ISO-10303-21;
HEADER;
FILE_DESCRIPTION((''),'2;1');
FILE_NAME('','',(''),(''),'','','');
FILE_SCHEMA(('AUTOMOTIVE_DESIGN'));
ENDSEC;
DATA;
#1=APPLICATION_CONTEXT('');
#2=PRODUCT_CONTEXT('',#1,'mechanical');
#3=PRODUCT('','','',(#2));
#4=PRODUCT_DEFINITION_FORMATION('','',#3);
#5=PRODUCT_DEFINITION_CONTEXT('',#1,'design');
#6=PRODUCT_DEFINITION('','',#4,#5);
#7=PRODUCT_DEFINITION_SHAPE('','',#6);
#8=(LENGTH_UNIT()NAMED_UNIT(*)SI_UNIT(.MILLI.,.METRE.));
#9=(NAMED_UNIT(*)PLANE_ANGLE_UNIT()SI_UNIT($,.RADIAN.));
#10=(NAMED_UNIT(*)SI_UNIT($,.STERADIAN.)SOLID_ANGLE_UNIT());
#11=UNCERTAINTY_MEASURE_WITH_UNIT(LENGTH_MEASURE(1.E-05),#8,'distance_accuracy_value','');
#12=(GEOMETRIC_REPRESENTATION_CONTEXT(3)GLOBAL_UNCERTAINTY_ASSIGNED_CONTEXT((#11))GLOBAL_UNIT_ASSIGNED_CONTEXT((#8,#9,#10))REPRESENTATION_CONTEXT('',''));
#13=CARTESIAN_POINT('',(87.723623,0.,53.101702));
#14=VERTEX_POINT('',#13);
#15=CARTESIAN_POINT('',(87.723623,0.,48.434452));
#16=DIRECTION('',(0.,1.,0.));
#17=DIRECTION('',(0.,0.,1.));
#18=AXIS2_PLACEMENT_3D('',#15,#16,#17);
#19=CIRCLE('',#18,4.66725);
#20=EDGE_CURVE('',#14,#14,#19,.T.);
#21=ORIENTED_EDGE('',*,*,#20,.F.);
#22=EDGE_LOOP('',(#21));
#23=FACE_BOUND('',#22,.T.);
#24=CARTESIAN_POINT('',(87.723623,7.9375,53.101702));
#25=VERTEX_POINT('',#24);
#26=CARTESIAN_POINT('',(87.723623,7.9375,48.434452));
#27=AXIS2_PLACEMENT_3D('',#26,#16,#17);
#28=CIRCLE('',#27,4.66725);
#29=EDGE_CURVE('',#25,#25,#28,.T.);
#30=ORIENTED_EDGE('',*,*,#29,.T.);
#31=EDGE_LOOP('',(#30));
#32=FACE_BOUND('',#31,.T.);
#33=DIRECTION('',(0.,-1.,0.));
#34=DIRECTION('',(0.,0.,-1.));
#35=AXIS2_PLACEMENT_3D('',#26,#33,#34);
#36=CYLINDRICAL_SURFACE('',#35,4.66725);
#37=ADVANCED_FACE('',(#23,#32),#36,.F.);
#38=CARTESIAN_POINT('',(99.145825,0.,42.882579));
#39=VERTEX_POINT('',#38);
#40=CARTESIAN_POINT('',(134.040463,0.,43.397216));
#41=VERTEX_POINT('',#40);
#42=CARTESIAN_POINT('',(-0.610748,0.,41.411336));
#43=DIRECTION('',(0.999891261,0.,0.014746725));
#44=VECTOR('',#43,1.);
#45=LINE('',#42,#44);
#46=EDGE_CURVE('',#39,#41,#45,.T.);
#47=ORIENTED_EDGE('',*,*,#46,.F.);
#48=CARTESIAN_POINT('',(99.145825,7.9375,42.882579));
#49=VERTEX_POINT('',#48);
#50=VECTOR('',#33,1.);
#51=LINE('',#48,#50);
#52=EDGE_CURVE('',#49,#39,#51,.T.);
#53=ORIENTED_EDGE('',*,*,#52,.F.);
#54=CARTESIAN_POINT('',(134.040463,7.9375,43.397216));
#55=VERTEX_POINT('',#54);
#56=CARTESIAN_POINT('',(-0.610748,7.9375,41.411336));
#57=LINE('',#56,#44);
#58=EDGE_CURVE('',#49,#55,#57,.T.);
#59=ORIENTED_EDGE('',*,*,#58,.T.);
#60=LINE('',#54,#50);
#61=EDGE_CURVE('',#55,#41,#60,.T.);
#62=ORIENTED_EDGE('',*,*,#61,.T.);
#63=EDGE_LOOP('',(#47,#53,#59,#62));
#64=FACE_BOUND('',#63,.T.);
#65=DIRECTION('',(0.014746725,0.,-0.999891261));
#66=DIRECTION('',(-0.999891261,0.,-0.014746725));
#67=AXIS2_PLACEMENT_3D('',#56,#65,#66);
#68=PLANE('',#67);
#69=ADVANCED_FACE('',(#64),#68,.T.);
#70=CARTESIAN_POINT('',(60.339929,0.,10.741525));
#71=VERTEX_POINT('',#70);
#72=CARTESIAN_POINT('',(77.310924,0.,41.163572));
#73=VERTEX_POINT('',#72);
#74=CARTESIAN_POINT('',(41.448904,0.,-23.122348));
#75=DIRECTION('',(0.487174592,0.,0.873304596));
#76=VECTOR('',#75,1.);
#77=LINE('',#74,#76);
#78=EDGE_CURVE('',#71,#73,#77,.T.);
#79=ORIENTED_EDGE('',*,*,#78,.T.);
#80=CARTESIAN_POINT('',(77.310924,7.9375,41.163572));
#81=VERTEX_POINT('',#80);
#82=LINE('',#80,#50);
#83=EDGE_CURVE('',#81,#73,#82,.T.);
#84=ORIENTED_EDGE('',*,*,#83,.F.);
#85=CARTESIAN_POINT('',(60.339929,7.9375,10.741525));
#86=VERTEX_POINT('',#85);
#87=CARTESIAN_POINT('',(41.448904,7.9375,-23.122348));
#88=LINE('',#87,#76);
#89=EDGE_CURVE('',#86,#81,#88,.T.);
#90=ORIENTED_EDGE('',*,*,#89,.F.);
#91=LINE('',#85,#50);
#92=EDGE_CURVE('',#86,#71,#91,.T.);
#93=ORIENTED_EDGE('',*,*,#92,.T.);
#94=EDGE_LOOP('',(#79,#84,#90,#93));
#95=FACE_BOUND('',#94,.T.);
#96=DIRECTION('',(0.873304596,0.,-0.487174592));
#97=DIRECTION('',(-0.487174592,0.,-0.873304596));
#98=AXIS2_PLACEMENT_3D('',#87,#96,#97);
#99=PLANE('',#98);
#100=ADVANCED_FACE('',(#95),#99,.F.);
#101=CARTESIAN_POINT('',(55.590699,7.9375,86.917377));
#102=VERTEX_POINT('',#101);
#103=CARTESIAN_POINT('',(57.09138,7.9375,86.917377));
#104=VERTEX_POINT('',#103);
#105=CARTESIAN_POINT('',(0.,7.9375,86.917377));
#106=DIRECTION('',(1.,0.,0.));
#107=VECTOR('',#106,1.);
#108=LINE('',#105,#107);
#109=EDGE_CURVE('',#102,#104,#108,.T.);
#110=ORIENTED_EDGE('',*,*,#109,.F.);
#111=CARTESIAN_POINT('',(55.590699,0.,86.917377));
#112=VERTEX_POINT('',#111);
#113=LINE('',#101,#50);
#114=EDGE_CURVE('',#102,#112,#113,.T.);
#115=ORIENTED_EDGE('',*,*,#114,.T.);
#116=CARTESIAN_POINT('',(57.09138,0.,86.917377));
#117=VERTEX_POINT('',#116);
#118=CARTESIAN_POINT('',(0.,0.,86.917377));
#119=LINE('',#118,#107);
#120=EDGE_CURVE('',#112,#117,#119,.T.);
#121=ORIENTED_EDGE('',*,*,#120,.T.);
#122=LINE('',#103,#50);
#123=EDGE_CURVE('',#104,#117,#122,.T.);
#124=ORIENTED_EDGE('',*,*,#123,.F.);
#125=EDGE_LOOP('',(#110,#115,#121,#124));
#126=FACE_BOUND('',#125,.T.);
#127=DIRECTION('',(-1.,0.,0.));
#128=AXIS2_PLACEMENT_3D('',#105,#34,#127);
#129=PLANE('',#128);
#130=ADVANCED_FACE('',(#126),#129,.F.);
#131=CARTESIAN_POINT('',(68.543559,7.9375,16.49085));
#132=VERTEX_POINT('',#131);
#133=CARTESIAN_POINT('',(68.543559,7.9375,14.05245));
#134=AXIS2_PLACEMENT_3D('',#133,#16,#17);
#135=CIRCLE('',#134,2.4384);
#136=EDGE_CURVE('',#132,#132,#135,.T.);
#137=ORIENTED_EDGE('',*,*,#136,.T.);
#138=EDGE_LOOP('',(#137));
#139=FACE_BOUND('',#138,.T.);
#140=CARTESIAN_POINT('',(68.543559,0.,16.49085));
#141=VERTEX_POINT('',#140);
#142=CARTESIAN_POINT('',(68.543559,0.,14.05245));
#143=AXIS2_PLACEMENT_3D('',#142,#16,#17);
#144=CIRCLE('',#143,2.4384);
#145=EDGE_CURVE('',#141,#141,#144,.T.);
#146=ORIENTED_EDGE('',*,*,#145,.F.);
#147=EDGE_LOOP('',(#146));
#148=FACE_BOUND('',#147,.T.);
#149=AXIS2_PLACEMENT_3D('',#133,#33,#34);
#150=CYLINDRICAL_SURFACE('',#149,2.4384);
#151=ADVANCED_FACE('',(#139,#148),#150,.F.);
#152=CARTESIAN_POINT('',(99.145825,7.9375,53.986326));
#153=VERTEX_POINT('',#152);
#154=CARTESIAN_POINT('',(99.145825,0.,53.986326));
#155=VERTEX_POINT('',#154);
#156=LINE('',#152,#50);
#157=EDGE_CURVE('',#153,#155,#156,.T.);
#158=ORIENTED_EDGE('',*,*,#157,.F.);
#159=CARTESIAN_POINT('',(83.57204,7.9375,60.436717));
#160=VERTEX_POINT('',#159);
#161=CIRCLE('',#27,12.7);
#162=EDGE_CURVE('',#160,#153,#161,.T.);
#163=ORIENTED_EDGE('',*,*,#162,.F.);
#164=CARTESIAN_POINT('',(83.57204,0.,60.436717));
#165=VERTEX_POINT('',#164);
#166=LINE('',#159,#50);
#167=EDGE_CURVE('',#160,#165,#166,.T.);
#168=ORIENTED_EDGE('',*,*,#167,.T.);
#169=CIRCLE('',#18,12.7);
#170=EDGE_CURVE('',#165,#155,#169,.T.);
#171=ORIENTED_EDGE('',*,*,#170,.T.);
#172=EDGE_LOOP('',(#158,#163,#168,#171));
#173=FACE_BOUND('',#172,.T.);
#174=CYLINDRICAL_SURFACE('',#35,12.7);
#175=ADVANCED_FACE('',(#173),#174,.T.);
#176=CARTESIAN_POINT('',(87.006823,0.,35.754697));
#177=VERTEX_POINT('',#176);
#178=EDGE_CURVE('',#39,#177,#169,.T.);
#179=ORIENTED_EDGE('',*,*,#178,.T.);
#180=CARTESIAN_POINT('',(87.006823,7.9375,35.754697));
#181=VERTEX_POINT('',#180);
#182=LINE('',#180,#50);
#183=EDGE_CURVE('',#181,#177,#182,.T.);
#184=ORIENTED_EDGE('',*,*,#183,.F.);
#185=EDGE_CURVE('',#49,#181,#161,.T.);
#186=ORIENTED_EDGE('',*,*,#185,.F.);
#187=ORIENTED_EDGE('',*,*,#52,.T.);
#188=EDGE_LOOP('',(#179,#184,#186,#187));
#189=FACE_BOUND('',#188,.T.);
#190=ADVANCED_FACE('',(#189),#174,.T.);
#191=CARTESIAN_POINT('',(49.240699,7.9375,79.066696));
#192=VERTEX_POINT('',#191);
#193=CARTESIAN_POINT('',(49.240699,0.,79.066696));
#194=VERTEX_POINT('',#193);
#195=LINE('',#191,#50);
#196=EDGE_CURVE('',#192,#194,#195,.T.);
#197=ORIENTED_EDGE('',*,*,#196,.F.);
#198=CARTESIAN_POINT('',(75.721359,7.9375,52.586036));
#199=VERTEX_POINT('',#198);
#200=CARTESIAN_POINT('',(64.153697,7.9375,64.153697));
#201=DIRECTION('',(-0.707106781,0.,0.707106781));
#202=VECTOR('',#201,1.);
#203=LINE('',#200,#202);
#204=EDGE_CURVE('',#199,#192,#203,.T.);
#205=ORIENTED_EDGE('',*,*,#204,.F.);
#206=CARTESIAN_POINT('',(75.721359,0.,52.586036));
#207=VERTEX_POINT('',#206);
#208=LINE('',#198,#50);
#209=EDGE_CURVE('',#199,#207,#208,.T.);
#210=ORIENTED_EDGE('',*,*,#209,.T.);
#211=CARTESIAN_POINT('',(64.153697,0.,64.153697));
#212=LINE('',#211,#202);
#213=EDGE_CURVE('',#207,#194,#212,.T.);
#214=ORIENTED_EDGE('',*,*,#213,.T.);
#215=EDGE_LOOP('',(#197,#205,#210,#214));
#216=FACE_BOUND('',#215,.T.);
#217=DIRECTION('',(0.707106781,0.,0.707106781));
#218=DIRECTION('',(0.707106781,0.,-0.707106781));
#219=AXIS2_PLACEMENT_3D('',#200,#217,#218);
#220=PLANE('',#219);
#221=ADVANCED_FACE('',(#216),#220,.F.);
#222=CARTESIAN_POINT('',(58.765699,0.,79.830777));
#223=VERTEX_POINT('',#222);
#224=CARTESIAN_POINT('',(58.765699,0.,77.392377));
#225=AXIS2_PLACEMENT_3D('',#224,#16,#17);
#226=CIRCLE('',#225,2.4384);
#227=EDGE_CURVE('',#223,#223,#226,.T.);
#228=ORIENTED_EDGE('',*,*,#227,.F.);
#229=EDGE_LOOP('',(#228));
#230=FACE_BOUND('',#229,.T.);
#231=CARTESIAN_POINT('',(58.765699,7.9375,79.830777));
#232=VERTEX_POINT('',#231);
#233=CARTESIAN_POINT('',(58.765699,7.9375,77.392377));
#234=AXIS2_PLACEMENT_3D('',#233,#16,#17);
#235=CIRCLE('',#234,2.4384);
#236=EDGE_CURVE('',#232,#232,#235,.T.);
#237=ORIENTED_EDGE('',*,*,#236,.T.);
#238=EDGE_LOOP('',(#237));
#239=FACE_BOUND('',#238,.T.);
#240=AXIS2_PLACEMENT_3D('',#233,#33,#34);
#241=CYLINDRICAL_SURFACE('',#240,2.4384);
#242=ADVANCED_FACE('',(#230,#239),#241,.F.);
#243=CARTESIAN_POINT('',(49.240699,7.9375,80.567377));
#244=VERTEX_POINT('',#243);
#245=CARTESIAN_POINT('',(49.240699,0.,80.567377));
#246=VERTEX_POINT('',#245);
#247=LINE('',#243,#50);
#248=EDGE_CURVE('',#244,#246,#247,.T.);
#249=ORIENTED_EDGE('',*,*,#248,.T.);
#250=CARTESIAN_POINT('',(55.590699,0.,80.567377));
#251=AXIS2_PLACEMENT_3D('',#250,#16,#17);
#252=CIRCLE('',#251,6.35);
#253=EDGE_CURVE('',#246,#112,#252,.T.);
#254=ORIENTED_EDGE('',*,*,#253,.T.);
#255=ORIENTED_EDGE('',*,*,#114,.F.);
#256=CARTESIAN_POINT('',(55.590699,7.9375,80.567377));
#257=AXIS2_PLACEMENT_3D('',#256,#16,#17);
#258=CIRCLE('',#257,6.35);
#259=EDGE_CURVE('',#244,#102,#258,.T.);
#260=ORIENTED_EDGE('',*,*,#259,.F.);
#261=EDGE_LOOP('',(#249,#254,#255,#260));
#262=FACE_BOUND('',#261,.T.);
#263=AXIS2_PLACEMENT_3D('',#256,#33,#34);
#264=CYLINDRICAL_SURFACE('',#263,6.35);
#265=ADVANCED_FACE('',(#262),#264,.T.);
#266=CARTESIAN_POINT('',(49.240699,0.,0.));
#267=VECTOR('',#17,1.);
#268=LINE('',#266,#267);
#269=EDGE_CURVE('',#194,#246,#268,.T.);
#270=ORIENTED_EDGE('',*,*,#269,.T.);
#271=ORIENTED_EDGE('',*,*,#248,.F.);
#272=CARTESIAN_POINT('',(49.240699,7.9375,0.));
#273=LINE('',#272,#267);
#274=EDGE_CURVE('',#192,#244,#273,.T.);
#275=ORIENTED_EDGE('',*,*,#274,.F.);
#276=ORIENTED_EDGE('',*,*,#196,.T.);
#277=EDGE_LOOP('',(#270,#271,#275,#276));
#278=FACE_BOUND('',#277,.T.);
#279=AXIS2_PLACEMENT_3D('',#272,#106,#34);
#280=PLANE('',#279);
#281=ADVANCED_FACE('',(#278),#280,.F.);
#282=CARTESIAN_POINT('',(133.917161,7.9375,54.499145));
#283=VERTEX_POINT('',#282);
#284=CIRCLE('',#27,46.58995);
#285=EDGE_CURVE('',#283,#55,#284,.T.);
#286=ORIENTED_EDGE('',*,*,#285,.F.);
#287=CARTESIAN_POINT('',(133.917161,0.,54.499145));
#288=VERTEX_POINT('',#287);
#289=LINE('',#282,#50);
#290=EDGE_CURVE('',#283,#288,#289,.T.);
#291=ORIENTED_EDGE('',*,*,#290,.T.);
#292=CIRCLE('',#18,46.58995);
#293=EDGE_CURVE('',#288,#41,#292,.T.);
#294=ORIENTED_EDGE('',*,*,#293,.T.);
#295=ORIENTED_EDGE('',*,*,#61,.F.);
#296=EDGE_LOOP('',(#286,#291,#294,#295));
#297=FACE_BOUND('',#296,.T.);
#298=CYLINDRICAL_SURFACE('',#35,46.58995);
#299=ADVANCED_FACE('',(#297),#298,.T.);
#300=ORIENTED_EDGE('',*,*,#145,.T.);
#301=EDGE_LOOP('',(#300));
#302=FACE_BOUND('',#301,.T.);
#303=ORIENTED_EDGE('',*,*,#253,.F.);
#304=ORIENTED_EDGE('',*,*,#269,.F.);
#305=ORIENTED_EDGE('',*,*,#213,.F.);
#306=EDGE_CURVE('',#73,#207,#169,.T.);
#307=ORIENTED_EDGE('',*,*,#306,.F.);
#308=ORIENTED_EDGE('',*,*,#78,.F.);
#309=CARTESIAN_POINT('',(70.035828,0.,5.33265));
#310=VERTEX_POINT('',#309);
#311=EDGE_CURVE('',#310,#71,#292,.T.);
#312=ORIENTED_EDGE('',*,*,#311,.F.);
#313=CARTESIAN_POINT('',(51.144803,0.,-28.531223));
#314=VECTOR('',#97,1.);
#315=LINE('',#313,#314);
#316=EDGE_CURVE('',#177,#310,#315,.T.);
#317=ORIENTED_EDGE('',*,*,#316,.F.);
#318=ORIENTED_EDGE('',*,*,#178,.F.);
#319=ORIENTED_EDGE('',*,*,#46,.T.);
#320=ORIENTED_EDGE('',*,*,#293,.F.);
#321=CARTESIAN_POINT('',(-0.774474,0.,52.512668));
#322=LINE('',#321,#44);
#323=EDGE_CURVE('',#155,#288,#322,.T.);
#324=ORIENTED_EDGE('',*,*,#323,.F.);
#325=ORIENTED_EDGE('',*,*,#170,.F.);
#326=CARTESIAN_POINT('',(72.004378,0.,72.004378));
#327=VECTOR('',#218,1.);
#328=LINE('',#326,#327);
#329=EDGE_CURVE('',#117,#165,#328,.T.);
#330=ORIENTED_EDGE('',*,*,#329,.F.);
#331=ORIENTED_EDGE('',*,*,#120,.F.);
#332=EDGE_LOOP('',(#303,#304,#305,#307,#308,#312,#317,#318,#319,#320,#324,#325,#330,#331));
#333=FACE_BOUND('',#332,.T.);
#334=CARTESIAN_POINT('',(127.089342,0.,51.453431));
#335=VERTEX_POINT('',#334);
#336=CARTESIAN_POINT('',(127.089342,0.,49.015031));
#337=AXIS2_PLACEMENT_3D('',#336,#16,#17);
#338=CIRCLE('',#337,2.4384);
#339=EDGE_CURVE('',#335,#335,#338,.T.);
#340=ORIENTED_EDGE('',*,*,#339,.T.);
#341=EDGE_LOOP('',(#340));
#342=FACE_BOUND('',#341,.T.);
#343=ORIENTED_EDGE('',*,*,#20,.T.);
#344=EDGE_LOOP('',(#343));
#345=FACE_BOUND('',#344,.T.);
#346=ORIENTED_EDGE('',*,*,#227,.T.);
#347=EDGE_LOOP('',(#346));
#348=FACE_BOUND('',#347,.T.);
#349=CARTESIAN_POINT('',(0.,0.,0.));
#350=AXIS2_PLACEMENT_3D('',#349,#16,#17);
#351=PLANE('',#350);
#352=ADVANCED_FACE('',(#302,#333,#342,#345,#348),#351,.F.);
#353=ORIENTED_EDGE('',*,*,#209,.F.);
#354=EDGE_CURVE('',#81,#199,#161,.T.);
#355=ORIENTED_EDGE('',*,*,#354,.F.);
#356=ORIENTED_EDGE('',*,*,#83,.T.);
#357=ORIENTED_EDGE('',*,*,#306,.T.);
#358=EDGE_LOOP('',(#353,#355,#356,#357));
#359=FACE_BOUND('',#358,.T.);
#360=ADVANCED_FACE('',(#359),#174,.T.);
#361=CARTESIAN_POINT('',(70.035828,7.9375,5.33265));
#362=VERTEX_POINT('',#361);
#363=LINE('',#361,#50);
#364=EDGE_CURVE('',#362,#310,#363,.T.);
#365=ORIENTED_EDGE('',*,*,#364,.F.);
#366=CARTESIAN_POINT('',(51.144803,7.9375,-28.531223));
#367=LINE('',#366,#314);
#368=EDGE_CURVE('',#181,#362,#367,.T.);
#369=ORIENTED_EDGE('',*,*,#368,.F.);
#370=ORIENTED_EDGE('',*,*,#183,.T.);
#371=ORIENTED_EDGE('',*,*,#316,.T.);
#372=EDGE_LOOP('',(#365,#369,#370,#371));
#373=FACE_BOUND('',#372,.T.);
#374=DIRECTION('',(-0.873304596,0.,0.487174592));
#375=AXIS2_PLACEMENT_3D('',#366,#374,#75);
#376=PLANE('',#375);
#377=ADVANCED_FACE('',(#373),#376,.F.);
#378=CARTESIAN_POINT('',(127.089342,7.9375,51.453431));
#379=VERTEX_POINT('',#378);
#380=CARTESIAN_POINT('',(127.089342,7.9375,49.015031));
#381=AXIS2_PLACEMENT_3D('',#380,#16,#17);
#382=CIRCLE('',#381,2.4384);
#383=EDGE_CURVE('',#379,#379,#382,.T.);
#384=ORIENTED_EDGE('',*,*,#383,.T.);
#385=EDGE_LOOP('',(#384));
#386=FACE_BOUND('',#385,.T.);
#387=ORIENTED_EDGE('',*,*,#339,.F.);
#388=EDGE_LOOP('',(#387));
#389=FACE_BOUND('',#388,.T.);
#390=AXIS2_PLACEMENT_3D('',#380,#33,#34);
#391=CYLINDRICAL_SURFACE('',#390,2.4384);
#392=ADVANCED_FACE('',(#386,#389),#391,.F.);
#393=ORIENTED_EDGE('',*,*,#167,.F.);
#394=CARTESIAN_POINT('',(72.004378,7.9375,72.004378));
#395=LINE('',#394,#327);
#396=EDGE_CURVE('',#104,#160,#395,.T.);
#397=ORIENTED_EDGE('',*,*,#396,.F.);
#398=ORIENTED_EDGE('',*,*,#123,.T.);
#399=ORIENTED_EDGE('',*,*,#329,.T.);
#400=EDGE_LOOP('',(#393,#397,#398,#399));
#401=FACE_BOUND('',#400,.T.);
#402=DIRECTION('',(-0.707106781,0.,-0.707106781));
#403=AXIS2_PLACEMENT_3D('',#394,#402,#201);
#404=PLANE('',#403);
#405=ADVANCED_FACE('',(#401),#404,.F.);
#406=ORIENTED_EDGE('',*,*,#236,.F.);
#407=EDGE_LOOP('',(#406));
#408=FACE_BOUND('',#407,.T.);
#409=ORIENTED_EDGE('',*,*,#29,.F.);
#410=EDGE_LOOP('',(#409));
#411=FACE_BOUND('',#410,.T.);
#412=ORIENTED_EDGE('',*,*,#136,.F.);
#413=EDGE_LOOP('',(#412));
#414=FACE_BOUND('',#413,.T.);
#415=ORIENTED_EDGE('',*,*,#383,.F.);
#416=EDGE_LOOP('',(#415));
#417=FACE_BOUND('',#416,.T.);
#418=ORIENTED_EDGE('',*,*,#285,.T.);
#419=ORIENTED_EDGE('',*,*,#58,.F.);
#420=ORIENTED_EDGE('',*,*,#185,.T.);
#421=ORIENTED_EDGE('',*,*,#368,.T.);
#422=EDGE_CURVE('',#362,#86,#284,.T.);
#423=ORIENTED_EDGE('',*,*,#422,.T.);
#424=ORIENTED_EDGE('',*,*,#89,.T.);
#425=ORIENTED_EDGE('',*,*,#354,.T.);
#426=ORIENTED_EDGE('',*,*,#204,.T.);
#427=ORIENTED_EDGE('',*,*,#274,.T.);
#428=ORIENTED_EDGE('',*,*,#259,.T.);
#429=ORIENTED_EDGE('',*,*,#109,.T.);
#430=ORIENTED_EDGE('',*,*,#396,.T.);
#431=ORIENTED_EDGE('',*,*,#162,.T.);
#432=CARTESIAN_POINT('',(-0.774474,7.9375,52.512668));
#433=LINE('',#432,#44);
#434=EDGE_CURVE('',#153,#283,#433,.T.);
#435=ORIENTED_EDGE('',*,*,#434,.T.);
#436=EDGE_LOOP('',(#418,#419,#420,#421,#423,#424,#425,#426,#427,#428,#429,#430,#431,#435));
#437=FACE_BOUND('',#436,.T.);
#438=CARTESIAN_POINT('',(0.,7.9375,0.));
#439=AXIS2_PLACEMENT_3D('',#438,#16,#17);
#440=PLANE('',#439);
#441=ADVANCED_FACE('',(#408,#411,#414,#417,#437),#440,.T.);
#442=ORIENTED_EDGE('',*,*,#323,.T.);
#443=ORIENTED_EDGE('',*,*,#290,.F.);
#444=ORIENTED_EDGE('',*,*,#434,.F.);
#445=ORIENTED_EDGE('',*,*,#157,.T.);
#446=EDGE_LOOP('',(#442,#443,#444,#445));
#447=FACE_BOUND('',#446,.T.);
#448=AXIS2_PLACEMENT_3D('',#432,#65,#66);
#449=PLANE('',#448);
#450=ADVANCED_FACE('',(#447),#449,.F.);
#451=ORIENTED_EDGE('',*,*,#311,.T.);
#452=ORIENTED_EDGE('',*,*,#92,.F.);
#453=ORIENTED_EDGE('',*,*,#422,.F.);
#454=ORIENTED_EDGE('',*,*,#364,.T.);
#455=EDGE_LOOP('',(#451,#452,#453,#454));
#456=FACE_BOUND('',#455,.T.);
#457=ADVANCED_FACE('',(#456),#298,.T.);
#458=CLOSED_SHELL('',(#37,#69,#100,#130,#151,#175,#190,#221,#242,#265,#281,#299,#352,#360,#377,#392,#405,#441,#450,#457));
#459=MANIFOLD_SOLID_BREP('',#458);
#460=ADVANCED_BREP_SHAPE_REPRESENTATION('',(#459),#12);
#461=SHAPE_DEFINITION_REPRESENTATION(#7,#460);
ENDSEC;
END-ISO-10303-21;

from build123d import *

# Parameters (mm, degrees)
SKETCH2_R           = 2.4384
SKETCH2_R_2         = 4.66725
BOSS_EXTRUDE1_DEPTH = 7.9375


with BuildPart() as part:
    # Sketch2 → Boss-Extrude1 (new body)
    with BuildSketch(Plane(origin=(0, 0, 0), x_dir=(1, 0, 0), z_dir=(0, 1, 0))):
        with BuildLine():
            Line((55.590698865, -86.917376556), (57.091379829, -86.917376556))
            Line((57.091379829, -86.917376556), (83.572039589, -60.436716796))
            ThreePointArc((83.572039589, -60.436716796), (92.583392677, -60.167850758), (99.145825273, -53.986325716))
            Line((99.145825273, -53.986325716), (133.917161076, -54.4991448))
            ThreePointArc((133.917161076, -54.4991448), (134.310699941, -48.951866676), (134.040463462, -43.397216403))
            Line((134.040463462, -43.397216403), (99.145825273, -42.882578814))
            ThreePointArc((99.145825273, -42.882578814), (94.154259421, -37.482880814), (87.006822934, -35.754696848))
            Line((87.006822934, -35.754696848), (70.035827706, -5.332650295))
            ThreePointArc((70.035827706, -5.332650295), (65.026183263, -7.747234822), (60.339928944, -10.741525445))
            Line((60.339928944, -10.741525445), (77.310924172, -41.163571998))
            ThreePointArc((77.310924172, -41.163571998), (75.144838741, -46.683971579), (75.721358625, -52.586035832))
            Line((75.721358625, -52.586035832), (49.240698865, -79.066695593))
            Line((49.240698865, -79.066695593), (49.240698865, -80.567376556))
            ThreePointArc((49.240698865, -80.567376556), (51.100570805, -85.057504617), (55.590698865, -86.917376556))
        make_face()
        with Locations(Location((58.765698865, -77.392376556, 0), (0, 0, 270))):
            Circle(SKETCH2_R, mode=Mode.SUBTRACT)
        with Locations(Location((87.723623157, -48.434452265, 0), (0, 0, 270))):
            Circle(SKETCH2_R_2, mode=Mode.SUBTRACT)
        with Locations(Location((127.089342108, -49.015030821, 0), (0, 0, 270))):
            Circle(SKETCH2_R, mode=Mode.SUBTRACT)
        with Locations(Location((68.54355946, -14.052450337, 0), (0, 0, 270))):
            Circle(SKETCH2_R, mode=Mode.SUBTRACT)
    extrude(amount=BOSS_EXTRUDE1_DEPTH)


solid = part.part
